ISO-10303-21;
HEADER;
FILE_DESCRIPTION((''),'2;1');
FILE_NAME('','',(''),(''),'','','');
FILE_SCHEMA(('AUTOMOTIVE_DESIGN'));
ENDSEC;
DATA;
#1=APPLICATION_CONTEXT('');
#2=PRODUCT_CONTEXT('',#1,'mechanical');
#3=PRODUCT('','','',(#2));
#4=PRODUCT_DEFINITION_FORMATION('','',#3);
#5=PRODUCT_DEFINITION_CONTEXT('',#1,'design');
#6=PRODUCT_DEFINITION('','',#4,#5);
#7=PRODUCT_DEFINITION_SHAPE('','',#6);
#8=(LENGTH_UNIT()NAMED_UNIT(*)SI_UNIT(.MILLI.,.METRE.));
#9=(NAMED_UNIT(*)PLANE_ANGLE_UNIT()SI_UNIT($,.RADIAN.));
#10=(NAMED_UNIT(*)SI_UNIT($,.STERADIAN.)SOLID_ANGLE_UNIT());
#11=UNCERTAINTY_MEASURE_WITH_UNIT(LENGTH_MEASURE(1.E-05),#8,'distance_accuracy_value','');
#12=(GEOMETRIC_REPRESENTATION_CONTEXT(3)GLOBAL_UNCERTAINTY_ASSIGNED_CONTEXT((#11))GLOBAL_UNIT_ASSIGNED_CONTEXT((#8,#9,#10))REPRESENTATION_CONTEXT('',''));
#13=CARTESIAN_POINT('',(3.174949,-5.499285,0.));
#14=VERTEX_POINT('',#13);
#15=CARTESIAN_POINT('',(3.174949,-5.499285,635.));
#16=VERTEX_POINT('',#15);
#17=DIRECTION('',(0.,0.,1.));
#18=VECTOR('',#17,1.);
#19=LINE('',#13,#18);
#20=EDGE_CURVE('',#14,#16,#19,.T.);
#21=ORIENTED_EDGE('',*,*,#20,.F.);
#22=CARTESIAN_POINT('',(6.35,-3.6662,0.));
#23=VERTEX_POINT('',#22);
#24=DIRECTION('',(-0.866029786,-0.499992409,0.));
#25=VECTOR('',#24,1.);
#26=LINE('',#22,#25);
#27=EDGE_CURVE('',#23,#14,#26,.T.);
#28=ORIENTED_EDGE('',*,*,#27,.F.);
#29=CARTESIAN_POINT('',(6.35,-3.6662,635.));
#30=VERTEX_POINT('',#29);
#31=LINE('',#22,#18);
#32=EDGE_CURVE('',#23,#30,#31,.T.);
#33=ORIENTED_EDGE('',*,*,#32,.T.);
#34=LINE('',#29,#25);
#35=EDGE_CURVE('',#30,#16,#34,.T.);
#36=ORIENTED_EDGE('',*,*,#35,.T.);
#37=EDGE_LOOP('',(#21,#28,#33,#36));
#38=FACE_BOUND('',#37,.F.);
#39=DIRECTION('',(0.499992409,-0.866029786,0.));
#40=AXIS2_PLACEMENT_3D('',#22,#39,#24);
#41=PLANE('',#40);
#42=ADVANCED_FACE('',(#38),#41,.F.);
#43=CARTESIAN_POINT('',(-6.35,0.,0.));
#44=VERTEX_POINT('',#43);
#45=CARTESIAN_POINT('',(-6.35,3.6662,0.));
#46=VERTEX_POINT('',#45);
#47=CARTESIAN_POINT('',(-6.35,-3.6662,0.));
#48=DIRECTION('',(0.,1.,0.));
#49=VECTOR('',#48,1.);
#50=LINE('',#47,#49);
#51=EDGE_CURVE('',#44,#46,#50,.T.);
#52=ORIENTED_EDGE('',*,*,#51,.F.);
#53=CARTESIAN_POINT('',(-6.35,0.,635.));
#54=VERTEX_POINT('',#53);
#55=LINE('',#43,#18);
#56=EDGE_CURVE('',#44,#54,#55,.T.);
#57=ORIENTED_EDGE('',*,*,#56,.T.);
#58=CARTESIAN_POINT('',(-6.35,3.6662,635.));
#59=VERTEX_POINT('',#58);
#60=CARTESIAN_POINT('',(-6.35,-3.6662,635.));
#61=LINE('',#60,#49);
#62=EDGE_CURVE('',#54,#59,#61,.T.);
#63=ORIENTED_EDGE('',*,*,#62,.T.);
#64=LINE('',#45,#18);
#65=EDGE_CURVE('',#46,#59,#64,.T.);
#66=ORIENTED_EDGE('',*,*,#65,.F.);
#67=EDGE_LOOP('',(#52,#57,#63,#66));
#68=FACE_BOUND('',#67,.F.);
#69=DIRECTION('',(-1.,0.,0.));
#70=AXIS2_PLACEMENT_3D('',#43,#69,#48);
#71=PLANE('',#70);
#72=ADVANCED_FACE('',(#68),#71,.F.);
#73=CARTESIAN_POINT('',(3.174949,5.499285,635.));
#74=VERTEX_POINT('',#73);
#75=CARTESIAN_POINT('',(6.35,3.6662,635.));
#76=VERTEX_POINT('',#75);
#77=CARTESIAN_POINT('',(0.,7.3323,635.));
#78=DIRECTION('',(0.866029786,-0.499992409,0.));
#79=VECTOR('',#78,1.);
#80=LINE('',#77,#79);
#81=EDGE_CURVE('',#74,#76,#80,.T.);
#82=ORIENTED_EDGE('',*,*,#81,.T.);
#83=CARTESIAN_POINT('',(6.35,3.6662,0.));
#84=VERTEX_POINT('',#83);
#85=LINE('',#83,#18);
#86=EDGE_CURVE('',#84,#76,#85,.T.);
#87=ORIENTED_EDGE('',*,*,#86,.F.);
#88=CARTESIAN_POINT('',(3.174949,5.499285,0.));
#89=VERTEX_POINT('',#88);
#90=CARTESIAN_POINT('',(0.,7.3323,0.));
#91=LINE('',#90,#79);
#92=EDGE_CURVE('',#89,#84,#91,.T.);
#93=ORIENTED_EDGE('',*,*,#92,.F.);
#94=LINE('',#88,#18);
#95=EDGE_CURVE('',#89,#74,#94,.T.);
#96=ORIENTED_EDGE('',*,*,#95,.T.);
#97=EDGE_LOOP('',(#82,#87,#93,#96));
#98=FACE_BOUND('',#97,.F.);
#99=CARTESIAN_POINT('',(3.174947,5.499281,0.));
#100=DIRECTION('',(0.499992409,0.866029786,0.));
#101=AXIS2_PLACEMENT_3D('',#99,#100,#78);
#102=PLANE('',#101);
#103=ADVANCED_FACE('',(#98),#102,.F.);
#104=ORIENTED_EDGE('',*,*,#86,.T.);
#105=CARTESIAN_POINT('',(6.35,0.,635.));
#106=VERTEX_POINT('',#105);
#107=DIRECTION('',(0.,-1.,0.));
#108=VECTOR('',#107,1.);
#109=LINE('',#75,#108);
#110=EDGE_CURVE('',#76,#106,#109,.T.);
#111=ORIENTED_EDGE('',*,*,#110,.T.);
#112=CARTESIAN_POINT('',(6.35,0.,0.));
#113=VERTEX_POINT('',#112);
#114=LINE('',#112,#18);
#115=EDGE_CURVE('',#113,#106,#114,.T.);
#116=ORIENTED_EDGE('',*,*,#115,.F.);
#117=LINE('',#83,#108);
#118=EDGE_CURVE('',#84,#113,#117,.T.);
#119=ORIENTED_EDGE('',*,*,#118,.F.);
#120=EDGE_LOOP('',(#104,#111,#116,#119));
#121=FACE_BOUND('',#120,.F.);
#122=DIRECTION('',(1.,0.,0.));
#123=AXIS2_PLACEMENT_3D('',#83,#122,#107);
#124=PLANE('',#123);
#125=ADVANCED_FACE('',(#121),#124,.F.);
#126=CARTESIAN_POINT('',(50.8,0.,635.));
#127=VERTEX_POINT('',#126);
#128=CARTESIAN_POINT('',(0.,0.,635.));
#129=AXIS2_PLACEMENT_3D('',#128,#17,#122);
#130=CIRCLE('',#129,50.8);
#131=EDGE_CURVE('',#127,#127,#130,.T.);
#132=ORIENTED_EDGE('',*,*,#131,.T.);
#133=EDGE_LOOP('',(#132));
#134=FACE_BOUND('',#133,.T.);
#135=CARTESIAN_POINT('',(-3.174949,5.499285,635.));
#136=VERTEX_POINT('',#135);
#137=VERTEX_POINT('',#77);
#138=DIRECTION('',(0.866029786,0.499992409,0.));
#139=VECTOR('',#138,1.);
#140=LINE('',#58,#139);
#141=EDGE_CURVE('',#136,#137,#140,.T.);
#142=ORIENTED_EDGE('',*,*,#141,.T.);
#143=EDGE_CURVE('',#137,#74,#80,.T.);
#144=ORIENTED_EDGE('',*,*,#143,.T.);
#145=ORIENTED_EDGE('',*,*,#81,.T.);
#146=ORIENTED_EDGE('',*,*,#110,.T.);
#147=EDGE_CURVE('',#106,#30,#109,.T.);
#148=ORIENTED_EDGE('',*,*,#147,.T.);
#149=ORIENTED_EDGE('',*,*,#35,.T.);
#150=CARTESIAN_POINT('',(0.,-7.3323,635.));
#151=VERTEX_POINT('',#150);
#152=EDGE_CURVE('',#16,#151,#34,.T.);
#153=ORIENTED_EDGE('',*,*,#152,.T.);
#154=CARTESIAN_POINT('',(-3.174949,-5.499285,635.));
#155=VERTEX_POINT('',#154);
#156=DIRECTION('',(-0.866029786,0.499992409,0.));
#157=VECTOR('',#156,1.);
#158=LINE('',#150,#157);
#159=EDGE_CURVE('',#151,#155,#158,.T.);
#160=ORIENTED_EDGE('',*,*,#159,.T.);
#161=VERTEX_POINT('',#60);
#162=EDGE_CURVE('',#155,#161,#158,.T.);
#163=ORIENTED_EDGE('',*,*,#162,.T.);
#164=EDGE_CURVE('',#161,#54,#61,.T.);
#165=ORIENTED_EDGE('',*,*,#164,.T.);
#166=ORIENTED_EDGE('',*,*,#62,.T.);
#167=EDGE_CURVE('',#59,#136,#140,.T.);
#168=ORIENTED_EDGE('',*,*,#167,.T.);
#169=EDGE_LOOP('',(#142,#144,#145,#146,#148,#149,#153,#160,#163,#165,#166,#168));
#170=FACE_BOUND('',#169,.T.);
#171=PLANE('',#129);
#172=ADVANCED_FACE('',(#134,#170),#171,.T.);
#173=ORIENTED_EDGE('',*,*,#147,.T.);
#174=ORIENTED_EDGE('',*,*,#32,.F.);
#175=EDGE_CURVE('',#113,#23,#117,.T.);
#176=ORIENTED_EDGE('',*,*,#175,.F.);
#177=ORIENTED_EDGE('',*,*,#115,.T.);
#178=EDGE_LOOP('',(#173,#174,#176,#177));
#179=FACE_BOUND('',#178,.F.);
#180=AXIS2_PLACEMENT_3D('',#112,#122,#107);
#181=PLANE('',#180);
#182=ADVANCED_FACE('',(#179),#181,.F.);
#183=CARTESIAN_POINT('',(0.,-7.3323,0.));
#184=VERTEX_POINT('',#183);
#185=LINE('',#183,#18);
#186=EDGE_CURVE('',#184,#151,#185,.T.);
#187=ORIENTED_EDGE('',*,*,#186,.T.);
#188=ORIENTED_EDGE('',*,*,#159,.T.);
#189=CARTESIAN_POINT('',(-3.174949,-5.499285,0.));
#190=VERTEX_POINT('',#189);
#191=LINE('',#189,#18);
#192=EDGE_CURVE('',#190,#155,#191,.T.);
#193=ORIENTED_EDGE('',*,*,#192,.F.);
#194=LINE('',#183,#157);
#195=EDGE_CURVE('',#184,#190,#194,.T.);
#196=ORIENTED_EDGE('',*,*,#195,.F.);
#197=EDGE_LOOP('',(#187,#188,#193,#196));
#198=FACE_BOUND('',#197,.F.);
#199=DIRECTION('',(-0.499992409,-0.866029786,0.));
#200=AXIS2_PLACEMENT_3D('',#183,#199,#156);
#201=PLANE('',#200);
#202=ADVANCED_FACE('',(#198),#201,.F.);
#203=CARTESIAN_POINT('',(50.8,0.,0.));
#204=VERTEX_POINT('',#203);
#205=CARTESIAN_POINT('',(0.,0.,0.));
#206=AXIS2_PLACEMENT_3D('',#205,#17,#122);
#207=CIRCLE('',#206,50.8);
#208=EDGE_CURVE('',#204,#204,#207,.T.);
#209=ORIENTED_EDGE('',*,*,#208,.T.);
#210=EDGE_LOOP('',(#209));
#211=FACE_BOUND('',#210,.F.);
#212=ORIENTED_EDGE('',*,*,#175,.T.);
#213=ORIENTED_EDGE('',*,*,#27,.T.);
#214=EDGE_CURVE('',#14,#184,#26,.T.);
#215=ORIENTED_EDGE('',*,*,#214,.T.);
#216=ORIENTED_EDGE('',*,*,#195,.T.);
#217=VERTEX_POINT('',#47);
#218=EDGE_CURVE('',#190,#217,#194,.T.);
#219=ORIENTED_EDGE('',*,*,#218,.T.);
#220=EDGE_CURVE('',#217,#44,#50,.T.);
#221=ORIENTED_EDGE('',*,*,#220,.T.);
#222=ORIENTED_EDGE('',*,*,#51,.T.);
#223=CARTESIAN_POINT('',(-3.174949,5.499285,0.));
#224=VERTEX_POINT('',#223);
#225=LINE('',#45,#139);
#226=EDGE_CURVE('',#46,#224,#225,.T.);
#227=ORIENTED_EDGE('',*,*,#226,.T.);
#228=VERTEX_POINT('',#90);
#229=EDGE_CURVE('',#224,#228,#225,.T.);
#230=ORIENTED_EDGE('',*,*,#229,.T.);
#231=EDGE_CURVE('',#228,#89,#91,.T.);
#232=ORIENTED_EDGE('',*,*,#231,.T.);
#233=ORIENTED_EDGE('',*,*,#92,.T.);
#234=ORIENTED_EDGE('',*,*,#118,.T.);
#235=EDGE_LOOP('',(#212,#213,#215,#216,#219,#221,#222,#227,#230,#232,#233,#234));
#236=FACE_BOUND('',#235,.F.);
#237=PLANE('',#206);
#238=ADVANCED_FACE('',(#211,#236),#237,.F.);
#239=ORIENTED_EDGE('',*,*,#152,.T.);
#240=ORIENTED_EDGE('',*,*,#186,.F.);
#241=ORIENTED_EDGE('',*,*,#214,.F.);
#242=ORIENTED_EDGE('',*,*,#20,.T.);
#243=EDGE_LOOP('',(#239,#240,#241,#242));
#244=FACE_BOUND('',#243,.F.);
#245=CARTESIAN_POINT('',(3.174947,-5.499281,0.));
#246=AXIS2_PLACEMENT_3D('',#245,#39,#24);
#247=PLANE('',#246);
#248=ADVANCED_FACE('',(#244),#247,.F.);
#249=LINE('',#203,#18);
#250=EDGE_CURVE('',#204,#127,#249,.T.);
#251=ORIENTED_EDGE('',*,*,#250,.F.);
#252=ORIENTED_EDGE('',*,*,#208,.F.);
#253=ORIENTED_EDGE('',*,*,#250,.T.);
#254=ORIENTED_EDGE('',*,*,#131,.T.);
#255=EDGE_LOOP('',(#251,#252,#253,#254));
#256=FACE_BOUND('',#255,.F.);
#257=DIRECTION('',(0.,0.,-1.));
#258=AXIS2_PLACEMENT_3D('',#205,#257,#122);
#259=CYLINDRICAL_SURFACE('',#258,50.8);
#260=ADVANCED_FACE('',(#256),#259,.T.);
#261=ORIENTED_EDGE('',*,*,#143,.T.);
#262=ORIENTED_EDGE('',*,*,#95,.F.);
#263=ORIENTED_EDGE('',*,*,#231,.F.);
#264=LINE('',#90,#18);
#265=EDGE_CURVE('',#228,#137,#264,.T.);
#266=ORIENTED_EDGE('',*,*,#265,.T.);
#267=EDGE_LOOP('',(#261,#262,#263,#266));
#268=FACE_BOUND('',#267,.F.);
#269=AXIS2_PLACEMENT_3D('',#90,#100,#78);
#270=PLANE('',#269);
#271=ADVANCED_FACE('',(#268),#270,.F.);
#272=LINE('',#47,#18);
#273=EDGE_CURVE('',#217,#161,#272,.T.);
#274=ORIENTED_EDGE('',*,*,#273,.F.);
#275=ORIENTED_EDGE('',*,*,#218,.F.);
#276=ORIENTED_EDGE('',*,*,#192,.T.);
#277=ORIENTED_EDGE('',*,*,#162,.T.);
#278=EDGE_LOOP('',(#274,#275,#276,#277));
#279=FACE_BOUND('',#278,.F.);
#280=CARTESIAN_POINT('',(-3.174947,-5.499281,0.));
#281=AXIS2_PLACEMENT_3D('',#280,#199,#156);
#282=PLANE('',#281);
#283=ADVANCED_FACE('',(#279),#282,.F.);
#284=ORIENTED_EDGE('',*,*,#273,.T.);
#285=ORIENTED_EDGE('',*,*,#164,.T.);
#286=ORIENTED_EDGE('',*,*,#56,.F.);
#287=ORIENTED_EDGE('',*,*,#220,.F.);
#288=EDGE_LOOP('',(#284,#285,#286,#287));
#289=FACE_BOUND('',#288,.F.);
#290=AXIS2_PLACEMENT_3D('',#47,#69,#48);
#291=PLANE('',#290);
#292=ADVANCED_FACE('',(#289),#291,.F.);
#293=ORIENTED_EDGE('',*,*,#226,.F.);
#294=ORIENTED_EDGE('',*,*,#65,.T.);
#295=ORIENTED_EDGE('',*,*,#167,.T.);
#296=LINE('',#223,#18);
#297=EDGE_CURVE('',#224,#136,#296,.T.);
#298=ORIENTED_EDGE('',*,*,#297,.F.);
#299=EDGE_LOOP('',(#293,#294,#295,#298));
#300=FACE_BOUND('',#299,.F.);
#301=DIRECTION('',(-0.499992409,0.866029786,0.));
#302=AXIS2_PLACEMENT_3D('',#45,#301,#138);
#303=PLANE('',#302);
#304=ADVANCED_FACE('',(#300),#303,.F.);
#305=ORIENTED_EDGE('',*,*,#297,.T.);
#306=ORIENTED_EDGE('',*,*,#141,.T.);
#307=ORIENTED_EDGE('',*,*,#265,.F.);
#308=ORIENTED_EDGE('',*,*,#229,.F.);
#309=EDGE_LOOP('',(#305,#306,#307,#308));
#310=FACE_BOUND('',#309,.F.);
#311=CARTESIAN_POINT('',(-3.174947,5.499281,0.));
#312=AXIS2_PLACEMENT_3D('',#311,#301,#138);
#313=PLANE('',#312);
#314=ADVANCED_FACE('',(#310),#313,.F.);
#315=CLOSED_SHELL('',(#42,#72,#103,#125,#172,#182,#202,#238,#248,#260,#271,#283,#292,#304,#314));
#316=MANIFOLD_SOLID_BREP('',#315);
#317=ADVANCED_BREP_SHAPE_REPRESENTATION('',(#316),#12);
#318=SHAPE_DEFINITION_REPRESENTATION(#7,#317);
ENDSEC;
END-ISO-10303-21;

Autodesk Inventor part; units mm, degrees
ref_plane "YZ Plane" through (0, 0, 0) normal (1, 0, 0) x (0, 1, 0)
ref_plane "XZ Plane" through (0, 0, 0) normal (0, 1, 0) x (-1, 0, 0)
ref_plane "XY Plane" through (0, 0, 0) normal (0, 0, 1) x (1, 0, 0)
sketch "Sketch1" plane through (0, 0, 0) normal (0, 0, 1) x (1, 0, 0)
  circle A0 centre (0, 0) radius 50.8
  circle A1 centre (0, 0) radius 6.35
  line L0 (6.35, -3.6662) -> (0, -7.3323)
  line L1 (0, -7.3323) -> (-6.35, -3.6662)
  line L2 (-6.35, -3.6662) -> (-6.35, 3.6662)
  line L3 (-6.35, 3.6662) -> (0, 7.3323)
  line L4 (0, 7.3323) -> (6.35, 3.6662)
  line L5 (6.35, 3.6662) -> (6.35, -3.6662)
  point P0 (6.35, 0)
  dimension "d4" = 12.7
  dimension "d0" = 101.6
extrude "Extrusion1" add sketch "Sketch1" along normal blind 635
properties part number "4-bar intake roller (25)"
